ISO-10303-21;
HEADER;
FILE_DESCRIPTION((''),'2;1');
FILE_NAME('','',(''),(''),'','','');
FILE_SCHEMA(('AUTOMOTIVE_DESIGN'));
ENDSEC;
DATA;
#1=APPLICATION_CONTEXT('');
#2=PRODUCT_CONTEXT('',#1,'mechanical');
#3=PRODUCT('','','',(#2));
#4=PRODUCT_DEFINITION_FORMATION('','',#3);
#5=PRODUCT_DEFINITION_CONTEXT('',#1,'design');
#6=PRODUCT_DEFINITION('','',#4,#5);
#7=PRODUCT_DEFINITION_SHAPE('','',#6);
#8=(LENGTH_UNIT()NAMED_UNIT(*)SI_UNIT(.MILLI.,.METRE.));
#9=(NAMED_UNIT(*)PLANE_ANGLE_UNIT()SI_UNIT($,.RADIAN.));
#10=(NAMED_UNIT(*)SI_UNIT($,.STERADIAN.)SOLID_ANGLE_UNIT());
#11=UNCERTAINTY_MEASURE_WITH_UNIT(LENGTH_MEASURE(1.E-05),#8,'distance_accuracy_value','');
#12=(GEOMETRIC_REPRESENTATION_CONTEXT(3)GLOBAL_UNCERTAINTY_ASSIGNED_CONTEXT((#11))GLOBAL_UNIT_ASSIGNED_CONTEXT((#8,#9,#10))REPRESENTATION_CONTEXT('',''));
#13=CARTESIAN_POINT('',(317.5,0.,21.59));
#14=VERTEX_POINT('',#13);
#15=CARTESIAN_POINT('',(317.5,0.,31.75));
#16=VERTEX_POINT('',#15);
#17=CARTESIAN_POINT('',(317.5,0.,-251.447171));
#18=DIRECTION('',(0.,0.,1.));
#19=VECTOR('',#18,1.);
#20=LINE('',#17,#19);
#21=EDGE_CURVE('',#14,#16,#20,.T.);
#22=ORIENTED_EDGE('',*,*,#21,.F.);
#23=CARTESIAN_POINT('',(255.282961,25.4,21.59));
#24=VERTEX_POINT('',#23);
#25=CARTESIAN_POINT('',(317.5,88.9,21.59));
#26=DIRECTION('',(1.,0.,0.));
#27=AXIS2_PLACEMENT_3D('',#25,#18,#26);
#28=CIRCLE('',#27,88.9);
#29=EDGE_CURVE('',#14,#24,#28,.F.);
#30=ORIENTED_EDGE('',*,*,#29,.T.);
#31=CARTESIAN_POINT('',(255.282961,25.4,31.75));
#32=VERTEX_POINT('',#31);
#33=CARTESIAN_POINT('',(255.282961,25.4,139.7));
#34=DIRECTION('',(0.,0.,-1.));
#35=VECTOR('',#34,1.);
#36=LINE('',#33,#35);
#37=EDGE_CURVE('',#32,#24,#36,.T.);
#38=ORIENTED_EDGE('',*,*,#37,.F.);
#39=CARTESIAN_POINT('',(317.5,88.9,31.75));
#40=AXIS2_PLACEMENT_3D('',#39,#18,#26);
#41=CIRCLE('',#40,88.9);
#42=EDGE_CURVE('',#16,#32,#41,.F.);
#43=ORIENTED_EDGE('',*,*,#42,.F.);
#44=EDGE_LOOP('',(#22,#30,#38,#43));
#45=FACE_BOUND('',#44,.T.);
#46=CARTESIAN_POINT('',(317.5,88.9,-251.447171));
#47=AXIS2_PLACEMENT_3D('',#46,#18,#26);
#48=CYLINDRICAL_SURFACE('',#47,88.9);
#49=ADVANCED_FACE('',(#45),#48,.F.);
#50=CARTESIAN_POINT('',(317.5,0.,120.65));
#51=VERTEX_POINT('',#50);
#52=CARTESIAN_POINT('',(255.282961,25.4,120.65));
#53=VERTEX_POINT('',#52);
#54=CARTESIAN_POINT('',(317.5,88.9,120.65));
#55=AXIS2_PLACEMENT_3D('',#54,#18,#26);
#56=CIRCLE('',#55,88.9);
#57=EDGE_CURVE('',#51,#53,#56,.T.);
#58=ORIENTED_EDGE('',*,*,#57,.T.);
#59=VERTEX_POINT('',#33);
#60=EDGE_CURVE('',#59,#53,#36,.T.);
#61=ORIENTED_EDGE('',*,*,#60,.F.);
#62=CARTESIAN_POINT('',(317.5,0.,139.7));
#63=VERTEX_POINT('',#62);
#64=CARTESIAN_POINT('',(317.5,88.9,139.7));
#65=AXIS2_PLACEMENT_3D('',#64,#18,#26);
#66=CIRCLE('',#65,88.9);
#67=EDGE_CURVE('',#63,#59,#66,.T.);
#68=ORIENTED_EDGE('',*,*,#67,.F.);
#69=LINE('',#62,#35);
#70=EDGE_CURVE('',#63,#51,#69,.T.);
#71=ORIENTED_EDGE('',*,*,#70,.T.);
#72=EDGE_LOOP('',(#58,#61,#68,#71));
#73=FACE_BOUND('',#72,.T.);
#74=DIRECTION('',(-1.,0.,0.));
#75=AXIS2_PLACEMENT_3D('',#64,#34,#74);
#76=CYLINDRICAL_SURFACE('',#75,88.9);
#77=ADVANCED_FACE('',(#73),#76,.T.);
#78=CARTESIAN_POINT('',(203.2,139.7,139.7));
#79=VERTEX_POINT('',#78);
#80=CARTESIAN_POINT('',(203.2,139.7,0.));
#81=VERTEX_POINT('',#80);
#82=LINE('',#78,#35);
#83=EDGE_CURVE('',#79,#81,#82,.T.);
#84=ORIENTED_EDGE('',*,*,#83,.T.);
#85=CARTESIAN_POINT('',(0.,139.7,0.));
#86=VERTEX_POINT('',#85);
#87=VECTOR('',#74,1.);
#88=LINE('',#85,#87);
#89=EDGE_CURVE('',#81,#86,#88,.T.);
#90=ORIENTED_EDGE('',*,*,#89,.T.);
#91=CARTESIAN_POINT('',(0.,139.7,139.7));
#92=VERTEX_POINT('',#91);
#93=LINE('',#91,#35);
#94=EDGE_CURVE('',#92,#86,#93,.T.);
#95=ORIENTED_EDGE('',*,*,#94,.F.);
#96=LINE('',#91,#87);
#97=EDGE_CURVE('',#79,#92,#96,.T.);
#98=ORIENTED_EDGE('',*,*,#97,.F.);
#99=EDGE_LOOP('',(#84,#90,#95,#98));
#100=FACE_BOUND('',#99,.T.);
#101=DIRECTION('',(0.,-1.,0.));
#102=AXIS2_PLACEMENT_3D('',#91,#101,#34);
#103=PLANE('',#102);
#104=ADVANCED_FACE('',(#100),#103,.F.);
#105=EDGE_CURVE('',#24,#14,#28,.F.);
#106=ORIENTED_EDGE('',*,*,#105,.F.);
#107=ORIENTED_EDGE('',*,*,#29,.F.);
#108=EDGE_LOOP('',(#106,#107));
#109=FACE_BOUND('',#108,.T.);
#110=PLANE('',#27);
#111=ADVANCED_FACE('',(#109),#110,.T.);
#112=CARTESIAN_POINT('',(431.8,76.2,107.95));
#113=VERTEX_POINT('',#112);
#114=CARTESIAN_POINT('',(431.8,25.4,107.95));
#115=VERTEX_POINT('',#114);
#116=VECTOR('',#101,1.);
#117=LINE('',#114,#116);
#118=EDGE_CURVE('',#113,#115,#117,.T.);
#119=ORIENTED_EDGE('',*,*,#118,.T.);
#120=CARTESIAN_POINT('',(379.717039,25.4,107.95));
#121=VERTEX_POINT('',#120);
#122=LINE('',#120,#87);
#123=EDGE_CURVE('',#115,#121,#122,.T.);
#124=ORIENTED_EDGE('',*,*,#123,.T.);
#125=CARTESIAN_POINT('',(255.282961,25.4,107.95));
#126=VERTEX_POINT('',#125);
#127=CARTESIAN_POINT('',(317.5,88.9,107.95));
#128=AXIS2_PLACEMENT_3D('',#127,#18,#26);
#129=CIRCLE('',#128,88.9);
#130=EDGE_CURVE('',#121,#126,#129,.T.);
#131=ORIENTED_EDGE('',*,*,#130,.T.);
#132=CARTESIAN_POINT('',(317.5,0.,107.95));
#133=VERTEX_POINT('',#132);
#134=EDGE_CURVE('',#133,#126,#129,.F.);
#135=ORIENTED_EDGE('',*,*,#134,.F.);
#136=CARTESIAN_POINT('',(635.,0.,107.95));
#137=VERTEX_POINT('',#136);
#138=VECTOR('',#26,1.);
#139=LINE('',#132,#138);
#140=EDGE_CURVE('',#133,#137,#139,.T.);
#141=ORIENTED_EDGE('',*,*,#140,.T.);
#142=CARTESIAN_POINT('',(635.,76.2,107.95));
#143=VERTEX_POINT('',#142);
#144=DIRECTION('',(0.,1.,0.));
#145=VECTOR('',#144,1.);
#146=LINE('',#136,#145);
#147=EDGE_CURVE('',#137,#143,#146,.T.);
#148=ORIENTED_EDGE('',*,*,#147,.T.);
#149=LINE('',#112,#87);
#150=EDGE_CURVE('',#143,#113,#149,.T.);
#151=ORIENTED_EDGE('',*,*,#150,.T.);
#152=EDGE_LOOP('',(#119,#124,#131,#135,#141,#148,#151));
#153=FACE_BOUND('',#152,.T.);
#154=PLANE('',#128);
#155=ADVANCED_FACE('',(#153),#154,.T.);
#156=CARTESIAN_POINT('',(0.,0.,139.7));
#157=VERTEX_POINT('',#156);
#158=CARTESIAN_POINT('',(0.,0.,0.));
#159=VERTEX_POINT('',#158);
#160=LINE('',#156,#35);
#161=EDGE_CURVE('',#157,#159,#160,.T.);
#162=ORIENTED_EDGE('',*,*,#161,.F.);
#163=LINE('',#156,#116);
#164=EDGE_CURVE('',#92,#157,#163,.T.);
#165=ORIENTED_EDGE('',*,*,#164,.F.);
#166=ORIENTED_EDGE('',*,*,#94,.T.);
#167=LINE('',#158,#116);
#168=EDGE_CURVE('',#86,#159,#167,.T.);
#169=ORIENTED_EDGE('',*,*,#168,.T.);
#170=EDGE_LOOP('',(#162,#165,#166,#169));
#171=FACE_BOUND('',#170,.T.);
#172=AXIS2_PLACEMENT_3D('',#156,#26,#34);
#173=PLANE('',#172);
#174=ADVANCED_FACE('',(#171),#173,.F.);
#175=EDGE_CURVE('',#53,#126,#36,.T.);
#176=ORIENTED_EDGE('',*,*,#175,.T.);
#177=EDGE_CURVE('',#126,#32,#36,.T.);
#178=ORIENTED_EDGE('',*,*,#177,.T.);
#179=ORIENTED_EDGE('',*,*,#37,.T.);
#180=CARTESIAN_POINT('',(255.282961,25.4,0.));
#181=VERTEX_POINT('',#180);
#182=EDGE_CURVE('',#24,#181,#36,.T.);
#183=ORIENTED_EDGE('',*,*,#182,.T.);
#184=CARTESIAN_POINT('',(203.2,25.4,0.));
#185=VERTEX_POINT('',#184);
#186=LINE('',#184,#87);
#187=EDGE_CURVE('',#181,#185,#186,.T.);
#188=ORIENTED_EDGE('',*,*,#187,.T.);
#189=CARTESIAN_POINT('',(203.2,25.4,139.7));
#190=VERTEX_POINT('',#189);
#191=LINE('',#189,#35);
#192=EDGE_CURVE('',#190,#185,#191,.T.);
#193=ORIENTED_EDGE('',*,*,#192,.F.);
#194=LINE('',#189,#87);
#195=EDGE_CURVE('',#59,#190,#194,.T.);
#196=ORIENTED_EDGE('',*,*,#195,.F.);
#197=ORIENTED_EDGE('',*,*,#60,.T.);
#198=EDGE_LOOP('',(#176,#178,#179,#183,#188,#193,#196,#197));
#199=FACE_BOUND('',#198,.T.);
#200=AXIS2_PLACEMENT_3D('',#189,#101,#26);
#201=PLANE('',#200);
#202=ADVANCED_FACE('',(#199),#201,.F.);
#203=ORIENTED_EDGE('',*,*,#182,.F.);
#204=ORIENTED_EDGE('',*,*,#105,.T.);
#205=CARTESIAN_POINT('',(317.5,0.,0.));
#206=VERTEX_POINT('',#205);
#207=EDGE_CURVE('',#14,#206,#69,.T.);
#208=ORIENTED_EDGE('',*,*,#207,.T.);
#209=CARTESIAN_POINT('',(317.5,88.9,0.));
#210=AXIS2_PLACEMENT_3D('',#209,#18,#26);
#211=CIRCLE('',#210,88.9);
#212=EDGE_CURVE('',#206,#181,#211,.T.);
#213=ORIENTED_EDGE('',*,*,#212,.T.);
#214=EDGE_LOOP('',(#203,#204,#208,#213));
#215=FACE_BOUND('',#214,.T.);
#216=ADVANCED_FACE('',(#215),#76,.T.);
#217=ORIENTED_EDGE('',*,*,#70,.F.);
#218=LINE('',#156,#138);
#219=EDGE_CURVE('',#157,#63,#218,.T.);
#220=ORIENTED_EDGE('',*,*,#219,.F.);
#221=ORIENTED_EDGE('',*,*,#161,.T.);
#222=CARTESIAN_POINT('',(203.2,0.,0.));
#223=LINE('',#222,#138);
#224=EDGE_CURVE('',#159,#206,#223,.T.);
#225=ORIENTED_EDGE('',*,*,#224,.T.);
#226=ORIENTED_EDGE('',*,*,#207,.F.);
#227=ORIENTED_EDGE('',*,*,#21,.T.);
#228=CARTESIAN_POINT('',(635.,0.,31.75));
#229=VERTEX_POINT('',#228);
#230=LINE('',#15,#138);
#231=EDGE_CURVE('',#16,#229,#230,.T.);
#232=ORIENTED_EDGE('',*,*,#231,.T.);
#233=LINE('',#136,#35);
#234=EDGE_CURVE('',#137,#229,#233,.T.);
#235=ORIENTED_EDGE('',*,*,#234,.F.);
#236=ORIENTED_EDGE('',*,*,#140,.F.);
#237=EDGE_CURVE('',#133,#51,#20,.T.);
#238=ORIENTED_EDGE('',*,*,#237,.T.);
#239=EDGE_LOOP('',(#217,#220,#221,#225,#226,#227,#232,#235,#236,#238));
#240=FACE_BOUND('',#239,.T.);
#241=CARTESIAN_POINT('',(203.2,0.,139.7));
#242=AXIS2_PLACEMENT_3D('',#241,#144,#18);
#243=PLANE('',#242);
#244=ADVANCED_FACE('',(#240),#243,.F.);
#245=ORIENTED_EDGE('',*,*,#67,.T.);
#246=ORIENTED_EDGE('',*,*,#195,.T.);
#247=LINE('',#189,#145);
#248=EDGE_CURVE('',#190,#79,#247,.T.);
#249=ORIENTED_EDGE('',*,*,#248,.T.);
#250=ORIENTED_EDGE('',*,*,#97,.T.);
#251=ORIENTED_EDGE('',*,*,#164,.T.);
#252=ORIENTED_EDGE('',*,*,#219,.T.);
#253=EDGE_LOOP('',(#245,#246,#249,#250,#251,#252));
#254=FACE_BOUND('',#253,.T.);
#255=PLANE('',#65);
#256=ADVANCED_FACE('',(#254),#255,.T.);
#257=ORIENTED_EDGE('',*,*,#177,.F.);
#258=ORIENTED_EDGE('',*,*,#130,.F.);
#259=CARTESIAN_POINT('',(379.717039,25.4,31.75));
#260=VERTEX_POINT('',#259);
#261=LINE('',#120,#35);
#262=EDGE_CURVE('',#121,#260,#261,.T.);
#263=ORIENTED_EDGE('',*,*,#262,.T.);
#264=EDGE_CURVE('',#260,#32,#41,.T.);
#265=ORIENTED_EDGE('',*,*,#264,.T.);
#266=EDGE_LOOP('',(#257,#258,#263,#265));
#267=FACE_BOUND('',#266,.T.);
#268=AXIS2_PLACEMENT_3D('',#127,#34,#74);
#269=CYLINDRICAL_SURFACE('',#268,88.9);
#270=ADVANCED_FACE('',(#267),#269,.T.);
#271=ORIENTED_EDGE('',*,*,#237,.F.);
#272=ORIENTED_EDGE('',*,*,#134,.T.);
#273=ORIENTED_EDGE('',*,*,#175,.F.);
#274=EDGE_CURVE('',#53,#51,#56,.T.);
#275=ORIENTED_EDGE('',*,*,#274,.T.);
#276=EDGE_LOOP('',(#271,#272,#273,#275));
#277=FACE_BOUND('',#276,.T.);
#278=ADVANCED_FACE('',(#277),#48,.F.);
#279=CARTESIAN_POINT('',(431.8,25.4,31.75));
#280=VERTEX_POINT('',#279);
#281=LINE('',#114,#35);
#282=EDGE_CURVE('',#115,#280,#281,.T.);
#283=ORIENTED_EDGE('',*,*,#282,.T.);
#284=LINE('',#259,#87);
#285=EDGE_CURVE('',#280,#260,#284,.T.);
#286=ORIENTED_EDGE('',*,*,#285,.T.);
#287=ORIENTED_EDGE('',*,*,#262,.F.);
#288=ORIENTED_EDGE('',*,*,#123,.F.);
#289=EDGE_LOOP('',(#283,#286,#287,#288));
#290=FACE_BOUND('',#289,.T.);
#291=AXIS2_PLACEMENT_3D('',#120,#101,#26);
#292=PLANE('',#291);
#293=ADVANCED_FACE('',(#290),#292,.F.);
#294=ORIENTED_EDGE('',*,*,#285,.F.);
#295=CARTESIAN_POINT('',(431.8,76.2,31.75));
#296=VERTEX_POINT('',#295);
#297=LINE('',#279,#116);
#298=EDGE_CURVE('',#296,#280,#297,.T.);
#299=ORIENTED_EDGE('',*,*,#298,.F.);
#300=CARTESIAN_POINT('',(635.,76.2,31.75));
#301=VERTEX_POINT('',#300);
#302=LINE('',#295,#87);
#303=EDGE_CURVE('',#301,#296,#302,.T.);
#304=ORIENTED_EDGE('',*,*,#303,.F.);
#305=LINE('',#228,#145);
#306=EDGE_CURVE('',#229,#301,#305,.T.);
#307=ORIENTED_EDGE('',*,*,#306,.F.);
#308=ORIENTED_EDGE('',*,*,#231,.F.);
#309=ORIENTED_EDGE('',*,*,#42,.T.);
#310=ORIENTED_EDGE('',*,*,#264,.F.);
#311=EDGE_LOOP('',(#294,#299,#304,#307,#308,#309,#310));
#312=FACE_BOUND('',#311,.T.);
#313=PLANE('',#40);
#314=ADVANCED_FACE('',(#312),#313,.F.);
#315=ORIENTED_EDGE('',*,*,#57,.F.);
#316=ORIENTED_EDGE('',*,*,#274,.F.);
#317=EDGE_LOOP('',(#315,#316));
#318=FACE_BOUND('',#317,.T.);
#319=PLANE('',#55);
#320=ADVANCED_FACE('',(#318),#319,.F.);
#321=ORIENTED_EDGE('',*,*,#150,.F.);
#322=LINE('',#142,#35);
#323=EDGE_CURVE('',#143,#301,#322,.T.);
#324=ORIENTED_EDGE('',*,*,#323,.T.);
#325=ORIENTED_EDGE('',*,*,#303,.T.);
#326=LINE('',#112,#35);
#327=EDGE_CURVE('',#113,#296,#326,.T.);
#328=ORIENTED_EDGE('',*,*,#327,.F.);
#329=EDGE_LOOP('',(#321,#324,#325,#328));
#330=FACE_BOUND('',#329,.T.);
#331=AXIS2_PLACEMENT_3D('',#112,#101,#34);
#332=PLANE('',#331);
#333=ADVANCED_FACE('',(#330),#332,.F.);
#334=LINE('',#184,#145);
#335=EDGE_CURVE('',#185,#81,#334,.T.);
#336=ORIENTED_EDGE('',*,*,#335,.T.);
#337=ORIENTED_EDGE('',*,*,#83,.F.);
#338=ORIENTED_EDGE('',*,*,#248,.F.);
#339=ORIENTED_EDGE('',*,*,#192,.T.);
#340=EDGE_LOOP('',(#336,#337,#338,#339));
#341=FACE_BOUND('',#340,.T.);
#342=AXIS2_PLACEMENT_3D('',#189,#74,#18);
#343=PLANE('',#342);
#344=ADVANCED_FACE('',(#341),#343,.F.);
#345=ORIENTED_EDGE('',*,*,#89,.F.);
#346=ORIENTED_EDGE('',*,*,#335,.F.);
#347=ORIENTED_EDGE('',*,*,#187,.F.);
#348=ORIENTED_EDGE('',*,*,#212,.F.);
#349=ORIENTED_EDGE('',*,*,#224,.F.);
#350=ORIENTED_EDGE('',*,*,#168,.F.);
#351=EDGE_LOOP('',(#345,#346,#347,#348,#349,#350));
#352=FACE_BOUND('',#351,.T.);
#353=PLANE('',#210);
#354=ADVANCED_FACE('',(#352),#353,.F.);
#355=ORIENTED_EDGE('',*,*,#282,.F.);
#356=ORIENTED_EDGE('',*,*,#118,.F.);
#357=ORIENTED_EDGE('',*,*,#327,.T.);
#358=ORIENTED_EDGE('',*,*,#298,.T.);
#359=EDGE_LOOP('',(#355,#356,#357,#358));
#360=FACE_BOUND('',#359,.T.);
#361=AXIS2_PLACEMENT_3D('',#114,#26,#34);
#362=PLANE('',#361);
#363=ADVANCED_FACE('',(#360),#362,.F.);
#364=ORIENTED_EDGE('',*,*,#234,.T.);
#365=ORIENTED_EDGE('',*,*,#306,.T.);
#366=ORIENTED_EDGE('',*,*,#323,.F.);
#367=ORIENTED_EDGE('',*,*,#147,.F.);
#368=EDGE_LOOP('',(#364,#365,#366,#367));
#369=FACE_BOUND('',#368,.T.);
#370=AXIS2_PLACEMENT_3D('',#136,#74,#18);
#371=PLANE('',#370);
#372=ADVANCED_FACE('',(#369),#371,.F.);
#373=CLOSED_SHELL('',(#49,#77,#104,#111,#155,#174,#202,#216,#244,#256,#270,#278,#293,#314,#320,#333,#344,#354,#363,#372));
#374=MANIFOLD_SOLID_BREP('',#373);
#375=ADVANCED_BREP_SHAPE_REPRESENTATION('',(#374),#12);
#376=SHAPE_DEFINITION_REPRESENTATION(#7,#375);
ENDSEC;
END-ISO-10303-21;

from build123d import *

# Parameters (mm, degrees)
BOSS_EXTRUDE1_DEPTH      = 139.7
SKETCH2_R                = 88.9
CUT_EXTRUDE1_DEPTH       = 50.8
CUT_EXTRUDE1_DEPTH_BACK  = 48.26
BOSS_EXTRUDE3_DEPTH      = 38.1
BOSS_EXTRUDE3_DEPTH_BACK = 38.1


with BuildPart() as part:
    # Sketch1 → Boss-Extrude1 (new body)
    with BuildSketch(Plane.XY):
        with BuildLine():
            Line((0, 0), (203.2, 0))
            Line((203.2, 0), (317.5, 0))
            ThreePointArc((317.5, 0), (351.101041651, 171.20540687), (255.282960533, 25.4))
            Line((255.282960533, 25.4), (203.2, 25.4))
            Line((203.2, 25.4), (203.2, 139.7))
            Line((203.2, 139.7), (0, 139.7))
            Line((0, 139.7), (0, 0))
        make_face()
    extrude(amount=BOSS_EXTRUDE1_DEPTH)

    # Sketch2 → Cut-Extrude1 (cut, two sides)
    with BuildSketch(Plane.XY.offset(69.85)) as cut_extrude1_sk:
        with Locations((317.5, 88.9)):
            Circle(SKETCH2_R)
    extrude(amount=CUT_EXTRUDE1_DEPTH, mode=Mode.SUBTRACT)
    extrude(cut_extrude1_sk.sketch, amount=-CUT_EXTRUDE1_DEPTH_BACK, mode=Mode.SUBTRACT)

    # Sketch5 → Boss-Extrude3 (add, two sides)
    with BuildSketch(Plane.XY.offset(69.85)) as boss_extrude3_sk:
        with BuildLine():
            Line((317.5, 0), (431.8, 0))
            Line((431.8, 0), (635, 0))
            Line((635, 0), (635, 76.2))
            Line((635, 76.2), (431.8, 76.2))
            Line((431.8, 76.2), (431.8, 25.4))
            Line((431.8, 25.4), (379.717039467, 25.4))
            ThreePointArc((379.717039467, 25.4), (283.898958349, 171.20540687), (317.5, 0))
        make_face()
    extrude(amount=BOSS_EXTRUDE3_DEPTH)
    extrude(boss_extrude3_sk.sketch, amount=-BOSS_EXTRUDE3_DEPTH_BACK)


solid = part.part
